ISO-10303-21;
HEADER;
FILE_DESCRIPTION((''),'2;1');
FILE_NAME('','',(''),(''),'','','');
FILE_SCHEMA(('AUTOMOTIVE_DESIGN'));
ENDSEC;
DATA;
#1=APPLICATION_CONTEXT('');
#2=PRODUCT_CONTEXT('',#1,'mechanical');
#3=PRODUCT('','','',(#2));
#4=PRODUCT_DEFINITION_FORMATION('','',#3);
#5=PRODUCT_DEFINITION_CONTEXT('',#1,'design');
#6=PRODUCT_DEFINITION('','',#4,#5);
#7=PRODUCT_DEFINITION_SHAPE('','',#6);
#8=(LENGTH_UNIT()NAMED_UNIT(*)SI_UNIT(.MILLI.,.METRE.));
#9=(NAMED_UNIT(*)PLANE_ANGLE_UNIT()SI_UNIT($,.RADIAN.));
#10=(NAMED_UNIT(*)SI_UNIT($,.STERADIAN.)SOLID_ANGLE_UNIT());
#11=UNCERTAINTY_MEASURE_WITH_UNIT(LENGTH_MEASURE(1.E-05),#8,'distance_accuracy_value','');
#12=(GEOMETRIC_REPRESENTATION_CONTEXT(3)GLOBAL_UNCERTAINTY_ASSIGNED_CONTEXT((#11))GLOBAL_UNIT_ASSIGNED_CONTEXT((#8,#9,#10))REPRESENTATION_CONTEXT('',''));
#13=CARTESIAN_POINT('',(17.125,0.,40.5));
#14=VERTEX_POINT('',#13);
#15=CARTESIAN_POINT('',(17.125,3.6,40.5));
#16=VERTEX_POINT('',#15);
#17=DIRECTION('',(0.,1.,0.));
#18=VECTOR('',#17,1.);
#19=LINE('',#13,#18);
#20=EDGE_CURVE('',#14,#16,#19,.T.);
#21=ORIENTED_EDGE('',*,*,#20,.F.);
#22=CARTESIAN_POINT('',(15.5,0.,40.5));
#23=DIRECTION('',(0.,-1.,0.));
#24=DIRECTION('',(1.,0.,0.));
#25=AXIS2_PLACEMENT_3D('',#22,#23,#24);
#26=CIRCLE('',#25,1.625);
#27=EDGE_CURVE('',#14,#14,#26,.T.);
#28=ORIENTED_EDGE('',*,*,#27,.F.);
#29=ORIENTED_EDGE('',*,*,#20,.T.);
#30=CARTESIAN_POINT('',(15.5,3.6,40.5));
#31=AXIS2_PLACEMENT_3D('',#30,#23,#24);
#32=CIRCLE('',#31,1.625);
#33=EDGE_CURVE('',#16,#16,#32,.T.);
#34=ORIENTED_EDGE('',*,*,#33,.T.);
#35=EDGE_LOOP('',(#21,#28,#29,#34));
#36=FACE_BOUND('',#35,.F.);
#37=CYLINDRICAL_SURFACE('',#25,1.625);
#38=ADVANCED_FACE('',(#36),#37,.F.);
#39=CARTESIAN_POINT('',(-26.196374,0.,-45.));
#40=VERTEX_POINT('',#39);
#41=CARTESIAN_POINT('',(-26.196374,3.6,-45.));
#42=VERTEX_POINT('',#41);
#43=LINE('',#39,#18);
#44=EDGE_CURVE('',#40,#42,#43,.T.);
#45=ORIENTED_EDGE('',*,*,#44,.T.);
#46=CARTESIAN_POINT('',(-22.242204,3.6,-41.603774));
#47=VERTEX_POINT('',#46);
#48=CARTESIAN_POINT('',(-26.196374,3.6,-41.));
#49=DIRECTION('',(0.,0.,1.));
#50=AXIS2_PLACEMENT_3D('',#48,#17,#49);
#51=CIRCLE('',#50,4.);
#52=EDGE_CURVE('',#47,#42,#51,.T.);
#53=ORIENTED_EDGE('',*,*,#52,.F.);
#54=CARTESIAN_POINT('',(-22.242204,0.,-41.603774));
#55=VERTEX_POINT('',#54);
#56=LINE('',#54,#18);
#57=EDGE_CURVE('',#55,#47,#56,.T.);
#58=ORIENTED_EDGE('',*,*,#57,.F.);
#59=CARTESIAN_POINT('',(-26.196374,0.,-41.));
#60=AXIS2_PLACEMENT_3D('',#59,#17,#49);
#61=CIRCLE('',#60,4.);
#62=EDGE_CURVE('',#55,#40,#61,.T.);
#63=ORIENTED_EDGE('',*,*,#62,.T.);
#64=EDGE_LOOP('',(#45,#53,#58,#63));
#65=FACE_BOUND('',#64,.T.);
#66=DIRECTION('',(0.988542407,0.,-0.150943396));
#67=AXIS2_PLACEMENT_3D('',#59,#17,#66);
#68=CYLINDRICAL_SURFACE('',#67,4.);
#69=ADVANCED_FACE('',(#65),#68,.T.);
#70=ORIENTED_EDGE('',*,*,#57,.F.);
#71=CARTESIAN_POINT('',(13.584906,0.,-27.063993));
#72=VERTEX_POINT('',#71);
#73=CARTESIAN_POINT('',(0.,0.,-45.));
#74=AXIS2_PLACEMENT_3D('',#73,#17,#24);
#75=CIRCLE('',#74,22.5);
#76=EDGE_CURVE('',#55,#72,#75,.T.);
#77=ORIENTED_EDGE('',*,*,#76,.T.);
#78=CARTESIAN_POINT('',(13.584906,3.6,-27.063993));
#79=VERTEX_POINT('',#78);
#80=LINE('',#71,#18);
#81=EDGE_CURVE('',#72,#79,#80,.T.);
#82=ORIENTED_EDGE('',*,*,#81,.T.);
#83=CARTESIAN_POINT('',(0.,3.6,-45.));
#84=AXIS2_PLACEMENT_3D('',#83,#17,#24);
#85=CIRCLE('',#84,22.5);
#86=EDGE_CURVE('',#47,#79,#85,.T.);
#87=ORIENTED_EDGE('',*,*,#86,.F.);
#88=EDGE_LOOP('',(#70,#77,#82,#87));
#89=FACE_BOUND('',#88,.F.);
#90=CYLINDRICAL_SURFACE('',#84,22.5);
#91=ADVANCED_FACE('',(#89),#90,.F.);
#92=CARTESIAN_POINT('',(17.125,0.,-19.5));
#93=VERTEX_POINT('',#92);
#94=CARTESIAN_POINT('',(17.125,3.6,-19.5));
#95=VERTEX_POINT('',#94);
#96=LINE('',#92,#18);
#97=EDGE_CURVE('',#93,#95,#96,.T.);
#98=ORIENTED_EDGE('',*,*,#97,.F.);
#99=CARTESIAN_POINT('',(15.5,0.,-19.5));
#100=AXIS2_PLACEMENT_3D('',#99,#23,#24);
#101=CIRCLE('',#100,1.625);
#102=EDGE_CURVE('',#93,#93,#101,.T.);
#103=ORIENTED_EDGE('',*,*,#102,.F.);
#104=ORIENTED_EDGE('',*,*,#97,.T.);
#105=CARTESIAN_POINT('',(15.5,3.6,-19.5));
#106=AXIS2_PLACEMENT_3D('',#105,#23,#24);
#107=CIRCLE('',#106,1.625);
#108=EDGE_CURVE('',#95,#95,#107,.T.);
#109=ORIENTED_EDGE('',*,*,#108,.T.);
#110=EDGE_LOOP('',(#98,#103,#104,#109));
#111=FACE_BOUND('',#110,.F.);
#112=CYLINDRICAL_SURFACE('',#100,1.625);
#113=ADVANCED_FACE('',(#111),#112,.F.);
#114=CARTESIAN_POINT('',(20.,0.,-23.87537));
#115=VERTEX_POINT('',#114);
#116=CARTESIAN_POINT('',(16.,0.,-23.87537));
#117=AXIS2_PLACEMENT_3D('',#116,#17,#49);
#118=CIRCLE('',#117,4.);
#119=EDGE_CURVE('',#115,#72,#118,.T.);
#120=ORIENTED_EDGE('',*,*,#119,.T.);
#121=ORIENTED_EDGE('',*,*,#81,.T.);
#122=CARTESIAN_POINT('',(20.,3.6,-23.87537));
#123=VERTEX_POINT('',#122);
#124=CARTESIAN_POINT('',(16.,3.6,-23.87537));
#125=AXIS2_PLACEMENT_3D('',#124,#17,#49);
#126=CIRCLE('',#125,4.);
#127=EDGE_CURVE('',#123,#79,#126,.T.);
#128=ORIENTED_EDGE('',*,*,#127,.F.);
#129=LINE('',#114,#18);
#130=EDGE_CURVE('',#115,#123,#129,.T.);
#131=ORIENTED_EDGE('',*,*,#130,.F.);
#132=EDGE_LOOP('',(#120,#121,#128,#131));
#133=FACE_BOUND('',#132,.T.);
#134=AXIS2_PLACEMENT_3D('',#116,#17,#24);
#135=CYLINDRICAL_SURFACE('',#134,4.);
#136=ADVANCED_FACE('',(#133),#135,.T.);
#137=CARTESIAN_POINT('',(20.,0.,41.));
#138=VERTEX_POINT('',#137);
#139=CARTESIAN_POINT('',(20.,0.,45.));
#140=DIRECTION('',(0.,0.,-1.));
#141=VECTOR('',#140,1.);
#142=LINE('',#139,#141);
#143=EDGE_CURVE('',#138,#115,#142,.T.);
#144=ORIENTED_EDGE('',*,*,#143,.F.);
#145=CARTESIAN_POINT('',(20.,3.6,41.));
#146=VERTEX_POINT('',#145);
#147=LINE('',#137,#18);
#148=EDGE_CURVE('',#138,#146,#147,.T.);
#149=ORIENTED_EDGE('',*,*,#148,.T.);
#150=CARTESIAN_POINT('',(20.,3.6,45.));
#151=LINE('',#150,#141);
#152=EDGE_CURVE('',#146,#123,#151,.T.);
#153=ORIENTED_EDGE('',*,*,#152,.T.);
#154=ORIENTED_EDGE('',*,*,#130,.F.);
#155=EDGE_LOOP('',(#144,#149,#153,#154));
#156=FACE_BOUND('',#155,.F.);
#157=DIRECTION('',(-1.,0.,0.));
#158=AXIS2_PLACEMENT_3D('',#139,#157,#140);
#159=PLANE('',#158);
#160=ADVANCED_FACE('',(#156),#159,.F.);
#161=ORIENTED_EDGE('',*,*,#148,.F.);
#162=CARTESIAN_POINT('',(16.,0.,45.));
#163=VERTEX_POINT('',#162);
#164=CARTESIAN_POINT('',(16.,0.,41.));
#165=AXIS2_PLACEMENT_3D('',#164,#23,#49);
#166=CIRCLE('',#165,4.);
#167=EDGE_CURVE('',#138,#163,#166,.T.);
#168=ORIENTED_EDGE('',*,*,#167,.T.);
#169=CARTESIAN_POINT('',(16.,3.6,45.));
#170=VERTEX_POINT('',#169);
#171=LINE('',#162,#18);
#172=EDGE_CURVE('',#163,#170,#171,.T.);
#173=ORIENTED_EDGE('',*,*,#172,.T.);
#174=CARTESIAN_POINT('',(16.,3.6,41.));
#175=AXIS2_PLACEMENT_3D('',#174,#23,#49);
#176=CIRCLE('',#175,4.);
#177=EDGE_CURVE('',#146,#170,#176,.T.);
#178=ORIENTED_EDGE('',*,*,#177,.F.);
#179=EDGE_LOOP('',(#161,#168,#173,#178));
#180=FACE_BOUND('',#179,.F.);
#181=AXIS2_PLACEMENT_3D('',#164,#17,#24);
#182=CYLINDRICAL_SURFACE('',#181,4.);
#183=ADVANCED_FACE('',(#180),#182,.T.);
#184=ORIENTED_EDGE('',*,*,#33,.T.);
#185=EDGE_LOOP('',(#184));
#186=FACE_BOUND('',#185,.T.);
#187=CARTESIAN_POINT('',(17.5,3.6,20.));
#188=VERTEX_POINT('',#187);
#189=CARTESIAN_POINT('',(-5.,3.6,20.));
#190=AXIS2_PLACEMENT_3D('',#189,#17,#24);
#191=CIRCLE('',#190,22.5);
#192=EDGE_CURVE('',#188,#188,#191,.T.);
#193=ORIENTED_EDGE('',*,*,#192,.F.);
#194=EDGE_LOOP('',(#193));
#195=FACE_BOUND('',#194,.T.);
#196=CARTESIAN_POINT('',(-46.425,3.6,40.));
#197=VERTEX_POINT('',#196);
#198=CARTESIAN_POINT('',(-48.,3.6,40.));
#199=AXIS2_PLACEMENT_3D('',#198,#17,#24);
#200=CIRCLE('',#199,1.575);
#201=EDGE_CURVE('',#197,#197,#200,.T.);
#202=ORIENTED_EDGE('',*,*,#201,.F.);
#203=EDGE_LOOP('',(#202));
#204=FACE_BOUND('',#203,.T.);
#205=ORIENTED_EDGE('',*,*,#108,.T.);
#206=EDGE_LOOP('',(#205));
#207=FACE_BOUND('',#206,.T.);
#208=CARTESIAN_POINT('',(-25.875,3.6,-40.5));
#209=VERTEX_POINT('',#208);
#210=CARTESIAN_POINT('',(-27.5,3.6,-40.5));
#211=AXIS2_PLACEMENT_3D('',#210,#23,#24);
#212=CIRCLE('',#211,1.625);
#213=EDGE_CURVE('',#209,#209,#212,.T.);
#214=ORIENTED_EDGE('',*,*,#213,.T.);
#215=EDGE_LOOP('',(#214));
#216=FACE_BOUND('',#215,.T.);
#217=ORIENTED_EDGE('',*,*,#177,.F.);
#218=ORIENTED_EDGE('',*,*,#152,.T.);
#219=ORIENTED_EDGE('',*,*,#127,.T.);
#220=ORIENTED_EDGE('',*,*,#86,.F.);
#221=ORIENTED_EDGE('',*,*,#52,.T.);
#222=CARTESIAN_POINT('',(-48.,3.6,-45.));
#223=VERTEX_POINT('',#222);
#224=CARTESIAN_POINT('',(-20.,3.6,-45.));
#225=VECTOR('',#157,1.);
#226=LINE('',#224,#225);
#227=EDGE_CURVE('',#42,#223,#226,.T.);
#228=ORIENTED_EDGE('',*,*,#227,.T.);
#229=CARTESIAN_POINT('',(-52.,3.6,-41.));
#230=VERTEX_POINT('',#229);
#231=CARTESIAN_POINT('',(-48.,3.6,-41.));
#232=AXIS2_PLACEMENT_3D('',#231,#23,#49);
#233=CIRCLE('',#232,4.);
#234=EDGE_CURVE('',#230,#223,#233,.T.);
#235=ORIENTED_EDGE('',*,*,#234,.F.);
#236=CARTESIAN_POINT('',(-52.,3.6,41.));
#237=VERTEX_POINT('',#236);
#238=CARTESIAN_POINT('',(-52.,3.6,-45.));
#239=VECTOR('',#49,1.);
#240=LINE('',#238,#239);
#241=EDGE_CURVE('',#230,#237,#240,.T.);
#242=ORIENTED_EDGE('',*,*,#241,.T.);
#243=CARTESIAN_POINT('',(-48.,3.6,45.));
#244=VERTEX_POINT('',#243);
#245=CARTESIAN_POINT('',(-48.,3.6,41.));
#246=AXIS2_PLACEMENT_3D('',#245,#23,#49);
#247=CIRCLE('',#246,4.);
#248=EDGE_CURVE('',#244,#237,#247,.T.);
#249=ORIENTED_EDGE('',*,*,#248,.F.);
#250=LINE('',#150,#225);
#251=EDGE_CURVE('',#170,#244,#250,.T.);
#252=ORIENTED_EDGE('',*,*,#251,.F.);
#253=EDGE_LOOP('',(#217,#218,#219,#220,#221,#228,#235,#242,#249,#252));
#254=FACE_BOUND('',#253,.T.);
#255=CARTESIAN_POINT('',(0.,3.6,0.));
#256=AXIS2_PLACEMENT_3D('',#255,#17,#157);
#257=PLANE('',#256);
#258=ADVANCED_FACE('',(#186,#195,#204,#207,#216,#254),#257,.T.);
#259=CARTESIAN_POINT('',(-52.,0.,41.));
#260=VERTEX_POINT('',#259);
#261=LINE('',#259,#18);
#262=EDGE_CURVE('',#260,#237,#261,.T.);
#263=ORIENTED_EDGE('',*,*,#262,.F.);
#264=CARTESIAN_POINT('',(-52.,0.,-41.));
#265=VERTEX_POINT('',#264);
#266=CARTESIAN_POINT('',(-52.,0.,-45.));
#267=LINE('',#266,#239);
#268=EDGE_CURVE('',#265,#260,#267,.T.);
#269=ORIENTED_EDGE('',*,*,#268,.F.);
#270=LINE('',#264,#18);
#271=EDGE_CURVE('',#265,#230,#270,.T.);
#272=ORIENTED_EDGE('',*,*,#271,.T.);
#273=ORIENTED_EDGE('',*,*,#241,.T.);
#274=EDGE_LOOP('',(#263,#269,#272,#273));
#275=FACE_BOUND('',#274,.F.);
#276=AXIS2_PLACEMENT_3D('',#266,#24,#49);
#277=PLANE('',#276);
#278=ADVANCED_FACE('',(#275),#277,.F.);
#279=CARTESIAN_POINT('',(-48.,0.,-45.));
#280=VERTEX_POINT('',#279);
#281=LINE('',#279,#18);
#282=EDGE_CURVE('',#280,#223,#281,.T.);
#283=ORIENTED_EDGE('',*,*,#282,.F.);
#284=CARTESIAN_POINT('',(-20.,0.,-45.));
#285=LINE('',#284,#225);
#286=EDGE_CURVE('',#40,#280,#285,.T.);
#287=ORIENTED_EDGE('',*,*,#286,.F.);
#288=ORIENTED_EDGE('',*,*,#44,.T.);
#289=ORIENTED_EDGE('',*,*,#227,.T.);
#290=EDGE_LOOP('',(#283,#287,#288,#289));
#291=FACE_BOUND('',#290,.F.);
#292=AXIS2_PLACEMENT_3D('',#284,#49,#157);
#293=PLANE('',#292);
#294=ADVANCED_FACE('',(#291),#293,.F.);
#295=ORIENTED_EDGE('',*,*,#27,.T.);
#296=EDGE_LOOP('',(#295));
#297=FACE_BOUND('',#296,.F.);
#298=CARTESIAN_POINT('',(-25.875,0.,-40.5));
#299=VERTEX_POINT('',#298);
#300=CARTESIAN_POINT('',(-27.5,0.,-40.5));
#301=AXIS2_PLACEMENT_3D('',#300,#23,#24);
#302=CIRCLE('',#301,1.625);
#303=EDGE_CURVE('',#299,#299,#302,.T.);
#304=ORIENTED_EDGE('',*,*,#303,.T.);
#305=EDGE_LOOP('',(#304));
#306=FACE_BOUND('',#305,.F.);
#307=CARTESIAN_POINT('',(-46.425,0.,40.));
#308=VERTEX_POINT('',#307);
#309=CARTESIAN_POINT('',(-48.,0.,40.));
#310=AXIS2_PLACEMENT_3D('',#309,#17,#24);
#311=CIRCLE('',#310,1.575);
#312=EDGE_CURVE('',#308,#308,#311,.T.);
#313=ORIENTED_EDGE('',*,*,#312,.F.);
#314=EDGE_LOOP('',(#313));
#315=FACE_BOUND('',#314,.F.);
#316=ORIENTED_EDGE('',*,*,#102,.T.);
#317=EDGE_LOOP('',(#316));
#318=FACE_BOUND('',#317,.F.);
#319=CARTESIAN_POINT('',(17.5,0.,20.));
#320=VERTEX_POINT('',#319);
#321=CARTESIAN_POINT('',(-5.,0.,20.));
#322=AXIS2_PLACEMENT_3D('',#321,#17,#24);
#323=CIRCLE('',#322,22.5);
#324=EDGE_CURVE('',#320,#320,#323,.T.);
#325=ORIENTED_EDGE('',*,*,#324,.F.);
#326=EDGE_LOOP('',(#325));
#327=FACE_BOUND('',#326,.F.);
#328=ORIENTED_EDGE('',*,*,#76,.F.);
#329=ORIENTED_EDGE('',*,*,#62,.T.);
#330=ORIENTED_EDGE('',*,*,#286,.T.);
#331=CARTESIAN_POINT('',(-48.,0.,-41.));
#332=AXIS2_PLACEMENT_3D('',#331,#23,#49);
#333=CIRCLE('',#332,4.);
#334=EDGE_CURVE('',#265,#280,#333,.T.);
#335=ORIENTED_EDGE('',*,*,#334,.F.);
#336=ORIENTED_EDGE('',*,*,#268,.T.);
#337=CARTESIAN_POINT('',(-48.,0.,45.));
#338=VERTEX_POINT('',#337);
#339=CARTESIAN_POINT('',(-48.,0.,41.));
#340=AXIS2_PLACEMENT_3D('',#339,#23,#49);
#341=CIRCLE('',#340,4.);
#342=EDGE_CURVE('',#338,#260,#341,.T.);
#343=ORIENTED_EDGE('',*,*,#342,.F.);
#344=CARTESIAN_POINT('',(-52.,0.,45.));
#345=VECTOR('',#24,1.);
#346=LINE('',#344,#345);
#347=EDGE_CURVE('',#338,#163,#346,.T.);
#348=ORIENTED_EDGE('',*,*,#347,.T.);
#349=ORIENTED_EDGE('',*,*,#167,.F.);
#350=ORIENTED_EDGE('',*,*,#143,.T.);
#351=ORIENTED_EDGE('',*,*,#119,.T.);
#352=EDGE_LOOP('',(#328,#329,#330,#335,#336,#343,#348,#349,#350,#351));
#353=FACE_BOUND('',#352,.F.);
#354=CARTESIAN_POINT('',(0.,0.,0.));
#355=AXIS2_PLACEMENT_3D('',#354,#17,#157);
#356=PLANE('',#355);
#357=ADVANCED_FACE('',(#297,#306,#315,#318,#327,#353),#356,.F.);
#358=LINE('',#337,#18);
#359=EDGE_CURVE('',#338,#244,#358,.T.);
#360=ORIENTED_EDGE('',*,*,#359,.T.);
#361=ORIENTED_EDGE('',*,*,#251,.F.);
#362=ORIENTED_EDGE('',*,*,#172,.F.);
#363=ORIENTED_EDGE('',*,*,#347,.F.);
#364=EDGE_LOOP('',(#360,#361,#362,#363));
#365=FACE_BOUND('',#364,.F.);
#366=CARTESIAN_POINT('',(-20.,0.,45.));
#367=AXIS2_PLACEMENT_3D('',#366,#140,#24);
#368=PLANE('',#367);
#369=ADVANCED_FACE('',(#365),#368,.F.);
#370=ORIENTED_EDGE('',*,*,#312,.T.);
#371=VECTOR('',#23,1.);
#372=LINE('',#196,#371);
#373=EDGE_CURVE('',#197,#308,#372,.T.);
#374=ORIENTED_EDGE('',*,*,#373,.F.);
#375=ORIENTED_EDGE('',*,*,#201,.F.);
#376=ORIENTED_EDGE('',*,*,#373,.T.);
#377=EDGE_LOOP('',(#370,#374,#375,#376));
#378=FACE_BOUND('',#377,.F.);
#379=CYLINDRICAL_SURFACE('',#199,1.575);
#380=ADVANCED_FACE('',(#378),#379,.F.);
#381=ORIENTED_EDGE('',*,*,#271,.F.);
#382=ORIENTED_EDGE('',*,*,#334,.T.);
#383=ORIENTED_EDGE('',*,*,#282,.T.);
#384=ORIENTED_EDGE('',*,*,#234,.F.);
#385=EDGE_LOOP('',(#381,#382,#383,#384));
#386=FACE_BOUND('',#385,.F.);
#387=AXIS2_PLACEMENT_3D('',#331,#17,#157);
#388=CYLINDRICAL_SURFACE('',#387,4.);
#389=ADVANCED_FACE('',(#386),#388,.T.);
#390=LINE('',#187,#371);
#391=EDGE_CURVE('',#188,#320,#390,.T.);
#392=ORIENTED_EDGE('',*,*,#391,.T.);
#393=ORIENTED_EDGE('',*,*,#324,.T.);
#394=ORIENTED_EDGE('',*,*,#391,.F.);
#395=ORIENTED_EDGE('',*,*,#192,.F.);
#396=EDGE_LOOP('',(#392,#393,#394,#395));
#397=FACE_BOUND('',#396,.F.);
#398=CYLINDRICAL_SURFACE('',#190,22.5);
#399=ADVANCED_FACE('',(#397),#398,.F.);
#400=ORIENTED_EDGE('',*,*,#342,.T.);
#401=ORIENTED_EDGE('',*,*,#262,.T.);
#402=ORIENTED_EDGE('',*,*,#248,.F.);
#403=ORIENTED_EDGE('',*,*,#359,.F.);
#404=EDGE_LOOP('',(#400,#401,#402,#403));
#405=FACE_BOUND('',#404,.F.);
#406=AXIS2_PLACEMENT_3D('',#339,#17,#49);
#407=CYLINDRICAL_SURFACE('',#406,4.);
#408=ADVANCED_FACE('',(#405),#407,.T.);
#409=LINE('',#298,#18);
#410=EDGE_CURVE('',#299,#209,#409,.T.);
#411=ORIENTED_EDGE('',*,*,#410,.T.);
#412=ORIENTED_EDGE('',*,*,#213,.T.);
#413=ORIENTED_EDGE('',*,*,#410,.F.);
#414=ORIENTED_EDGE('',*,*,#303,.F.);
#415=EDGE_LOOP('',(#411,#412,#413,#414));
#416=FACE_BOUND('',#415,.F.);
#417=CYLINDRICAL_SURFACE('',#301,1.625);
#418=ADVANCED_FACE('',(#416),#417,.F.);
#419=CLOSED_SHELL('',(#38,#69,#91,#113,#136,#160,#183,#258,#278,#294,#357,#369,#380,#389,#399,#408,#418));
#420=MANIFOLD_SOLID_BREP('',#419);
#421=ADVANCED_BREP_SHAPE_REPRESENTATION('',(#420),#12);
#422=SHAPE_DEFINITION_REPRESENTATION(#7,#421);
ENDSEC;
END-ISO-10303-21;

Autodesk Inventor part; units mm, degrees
ref_plane "YZ Plane" through (0, 0, 0) normal (1, 0, 0) x (0, 1, 0)
ref_plane "XZ Plane" through (0, 0, 0) normal (0, 1, 0) x (-1, 0, 0)
ref_plane "XY Plane" through (0, 0, 0) normal (0, 0, 1) x (1, 0, 0)
sketch "Sketch1" plane through (0, 0, 0) normal (0, 1, 0) x (-1, 0, 0)
  line L0 (20, 45) -> (-20, 45)
  line L1 (-20, 45) -> (-20, -45)
  line L2 (-20, -45) -> (20, -45)
  line L3 (20, -45) -> (20, 45)
  line L4 (20, 45) -> (-20, -45) construction
  line L5 (-20, 45) -> (20, -45) construction
  arc A0 (-20, -45) -> (20, -45) centre (0, -45) ccw
  line L6 (20, -45) -> (52, -45)
  line L7 (52, -45) -> (52, 45)
  line L8 (52, 45) -> (20, 45)
  line L9 (20, 45) -> (20, -45)
  point P0 (0, 0)
  dimension "d0" = 40
  dimension "d1" = 90
  dimension "d7" = 32
  dimension "d8" = 90
extrude "Extrusion1" add sketch "Sketch1" along normal blind 3.6
sketch "Sketch3" plane through (0, 3.6, 0) normal (0, 1, 0) x (1, 0, 0)
  arc A0 (20, 45) -> (-20, 45) centre (0, 45) ccw projected
  circle A1 centre (0, 45) radius 20
  circle A2 centre (0, 45) radius 22.5
  point P0 (0, 0)
  point P1 (-19.7203, 38.3333)
  dimension "d13" = 45
extrude "Extrusion3" cut sketch "Sketch3" against normal blind 10 contours A1 A0 | A2
fillet "Fillet2" radius 4 5 edges at (-52, 1.8, -45) (-52, 1.8, 45) (20, 1.8, 45) (-22.5, 1.8, -45) (20, 1.8, -34.6922)
sketch "Sketch4" plane through (0, 3.6, 0) normal (0, 1, 0) x (1, 0, 0)
  circle A0 centre (-5, -20) radius 22.5
  line L0 (20, -41) -> (20, 23.8754) projected
  line L1 (-48, -45) -> (16, -45) projected
  point P0 (0, 0)
  dimension "d14" = 45
  dimension "d15" = 25
  dimension "d16" = 25
extrude "Extrusion4" cut sketch "Sketch4" against normal blind 10
sketch "Sketch5" plane through (0, 0, 0) normal (0, -1, 0) x (1, 0, 0)
  circle A0 centre (-27.5, -40.5) radius 1.625
  circle A1 centre (15.5, 40.5) radius 1.625
  circle A2 centre (15.5, -19.5) radius 1.625
  line L0 (20, 41) -> (20, -23.8754) projected
  line L1 (-48, 45) -> (16, 45) projected
  line L2 (-26.1964, -45) -> (-48, -45) projected
  line L3 (-52, -41) -> (-52, 41) projected
  point P0 (0, 0)
  dimension "d19" = 3.25
  dimension "d21" = 3.25
  dimension "d22" = 3.25
  dimension "d23" = 4.5
  dimension "d24" = 4.5
  dimension "d25" = 4.5
  dimension "d26" = 56.75
  dimension "d27" = 4.5
  dimension "d28" = 24.5
extrude "Extrusion5" cut sketch "Sketch5" against normal blind 10
sketch "Sketch6" plane through (0, 3.6, 0) normal (0, 1, 0) x (1, 0, 0)
  circle A0 centre (-48, -40) radius 1.575
  line L0 (-48, -45) -> (16, -45) projected
  line L1 (-52, 41) -> (-52, -41) projected
  point P0 (0, 0)
  dimension "d31" = 3.15
  dimension "d32" = 5
  dimension "d33" = 4
extrude "Extrusion6" cut sketch "Sketch6" against normal blind 10
properties part number "p1"
